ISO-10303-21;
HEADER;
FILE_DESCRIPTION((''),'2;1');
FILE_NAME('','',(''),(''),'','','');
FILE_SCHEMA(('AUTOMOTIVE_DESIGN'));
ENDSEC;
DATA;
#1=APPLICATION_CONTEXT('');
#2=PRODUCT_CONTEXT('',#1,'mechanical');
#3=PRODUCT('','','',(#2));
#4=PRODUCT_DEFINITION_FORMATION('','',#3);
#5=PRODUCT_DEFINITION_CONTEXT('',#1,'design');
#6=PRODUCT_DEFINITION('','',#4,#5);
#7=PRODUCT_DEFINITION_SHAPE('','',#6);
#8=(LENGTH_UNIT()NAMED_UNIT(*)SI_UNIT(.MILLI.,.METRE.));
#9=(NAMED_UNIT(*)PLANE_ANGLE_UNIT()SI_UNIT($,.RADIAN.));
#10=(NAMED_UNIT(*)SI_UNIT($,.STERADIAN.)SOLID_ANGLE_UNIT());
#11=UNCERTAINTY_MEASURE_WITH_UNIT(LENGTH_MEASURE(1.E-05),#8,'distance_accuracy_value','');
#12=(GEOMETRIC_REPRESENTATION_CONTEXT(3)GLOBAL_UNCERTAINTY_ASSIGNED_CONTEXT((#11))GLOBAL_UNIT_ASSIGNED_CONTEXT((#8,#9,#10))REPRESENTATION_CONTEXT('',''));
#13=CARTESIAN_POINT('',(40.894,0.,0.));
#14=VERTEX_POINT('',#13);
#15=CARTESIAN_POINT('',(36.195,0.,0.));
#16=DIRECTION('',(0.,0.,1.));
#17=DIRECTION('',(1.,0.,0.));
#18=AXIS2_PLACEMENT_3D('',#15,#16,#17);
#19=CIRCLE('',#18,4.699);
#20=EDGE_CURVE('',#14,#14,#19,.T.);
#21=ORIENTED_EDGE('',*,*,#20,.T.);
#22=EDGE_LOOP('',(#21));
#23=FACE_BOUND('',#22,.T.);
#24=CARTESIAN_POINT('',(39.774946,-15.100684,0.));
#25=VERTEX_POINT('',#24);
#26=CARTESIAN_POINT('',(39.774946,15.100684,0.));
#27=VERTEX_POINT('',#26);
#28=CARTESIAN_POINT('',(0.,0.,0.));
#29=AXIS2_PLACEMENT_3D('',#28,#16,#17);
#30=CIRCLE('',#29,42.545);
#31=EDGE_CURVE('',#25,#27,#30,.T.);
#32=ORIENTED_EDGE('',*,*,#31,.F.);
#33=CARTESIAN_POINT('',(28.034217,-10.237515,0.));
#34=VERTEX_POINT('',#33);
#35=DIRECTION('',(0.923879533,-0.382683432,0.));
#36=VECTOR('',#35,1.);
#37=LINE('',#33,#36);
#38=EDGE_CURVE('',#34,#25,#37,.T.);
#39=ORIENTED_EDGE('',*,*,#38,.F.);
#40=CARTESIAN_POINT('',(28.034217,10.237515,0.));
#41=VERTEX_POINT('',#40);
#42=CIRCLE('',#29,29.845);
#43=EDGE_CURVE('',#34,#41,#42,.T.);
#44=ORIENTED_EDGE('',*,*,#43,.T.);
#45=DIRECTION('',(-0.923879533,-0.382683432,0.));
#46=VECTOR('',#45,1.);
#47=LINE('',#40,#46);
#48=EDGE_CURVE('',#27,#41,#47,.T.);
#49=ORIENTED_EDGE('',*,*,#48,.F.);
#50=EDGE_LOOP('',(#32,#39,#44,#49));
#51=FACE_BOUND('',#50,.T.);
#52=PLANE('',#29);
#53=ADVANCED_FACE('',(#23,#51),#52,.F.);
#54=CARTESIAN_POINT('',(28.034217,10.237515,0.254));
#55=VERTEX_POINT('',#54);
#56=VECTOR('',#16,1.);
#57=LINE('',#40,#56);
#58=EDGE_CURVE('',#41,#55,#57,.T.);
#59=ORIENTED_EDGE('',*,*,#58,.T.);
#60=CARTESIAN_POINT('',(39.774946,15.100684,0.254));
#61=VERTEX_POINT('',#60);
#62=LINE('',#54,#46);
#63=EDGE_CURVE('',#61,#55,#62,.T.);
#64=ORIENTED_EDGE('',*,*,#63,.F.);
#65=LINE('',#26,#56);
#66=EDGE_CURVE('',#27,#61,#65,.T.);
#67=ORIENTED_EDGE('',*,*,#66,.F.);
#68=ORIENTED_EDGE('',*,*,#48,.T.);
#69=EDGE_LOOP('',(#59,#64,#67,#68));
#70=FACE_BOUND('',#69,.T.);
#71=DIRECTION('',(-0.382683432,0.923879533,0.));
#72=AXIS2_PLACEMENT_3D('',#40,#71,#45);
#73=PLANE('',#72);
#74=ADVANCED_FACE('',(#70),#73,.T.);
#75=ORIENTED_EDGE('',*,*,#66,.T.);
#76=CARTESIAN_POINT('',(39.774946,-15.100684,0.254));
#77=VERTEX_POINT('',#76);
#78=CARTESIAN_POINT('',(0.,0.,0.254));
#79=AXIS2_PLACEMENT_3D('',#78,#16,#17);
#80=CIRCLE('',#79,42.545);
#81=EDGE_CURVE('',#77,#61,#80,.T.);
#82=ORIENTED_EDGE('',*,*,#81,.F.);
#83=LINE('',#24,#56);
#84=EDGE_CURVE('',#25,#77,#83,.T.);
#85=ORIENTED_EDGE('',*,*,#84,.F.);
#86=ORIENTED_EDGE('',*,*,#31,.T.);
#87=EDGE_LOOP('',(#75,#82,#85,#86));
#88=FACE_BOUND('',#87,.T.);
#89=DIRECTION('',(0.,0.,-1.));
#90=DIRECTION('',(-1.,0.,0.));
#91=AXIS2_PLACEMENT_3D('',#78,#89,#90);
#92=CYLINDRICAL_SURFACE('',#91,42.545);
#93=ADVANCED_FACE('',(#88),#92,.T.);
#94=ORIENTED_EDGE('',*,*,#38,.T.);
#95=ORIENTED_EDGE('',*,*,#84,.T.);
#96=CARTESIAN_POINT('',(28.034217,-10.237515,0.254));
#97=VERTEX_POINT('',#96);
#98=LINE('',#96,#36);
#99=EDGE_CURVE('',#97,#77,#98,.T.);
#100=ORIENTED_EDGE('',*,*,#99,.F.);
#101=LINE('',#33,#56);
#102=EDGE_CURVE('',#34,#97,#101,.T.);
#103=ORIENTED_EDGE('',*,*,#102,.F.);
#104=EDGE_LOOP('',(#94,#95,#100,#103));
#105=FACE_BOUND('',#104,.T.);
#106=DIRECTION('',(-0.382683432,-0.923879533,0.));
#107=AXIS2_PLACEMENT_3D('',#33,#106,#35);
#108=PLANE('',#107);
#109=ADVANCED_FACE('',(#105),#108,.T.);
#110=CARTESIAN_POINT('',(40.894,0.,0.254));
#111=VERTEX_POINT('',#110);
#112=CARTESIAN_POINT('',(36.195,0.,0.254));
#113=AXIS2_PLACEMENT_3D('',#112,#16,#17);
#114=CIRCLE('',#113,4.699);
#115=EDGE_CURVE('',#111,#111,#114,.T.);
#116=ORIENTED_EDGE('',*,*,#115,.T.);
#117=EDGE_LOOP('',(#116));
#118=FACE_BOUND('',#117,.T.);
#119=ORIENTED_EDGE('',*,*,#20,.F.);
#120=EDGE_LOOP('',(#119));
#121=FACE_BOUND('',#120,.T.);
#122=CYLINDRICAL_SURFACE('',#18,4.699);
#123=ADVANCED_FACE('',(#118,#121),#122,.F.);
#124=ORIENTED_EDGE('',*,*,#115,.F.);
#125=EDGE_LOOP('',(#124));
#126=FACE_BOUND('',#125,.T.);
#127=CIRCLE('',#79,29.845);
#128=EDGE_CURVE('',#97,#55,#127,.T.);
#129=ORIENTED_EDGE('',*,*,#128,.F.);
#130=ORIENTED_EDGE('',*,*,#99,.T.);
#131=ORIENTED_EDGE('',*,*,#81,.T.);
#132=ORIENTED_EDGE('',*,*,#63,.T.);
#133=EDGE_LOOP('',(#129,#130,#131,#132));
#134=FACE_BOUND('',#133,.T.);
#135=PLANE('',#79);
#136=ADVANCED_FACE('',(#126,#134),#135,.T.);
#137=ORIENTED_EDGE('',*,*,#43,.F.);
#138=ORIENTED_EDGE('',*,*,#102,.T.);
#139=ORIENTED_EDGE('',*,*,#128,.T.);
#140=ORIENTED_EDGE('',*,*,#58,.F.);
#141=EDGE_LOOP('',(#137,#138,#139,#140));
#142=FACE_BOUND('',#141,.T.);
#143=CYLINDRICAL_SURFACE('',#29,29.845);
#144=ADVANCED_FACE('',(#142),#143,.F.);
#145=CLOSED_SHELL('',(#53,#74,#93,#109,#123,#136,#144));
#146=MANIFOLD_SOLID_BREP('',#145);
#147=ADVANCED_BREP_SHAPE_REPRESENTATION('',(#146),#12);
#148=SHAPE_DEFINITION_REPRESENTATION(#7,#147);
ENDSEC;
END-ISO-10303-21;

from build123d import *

# Parameters (mm, degrees)
SKETCH4_R           = 42.545
BOSS_EXTRUDE2_DEPTH = 0.254
SKETCH5_R           = 29.845
CUT_EXTRUDE5_DEPTH  = 1.254
SKETCH6_R           = 4.699
CUT_EXTRUDE6_DEPTH  = 1.254
SKETCH8_OUTSIDE_W   = 111.158
SKETCH8_OUTSIDE_H   = 111.158
CUT_EXTRUDE11_DEPTH = 1.254


with BuildPart() as part:
    # Sketch4 → Boss-Extrude2 (new body)
    with BuildSketch(Plane.XY):
        Circle(SKETCH4_R)
    extrude(amount=BOSS_EXTRUDE2_DEPTH)

    # Sketch5 → Cut-Extrude5 (cut, through all)
    with BuildSketch(Plane.XY.offset(0.254)):
        Circle(SKETCH5_R)
    extrude(amount=-CUT_EXTRUDE5_DEPTH, mode=Mode.SUBTRACT)

    # Sketch6 → Cut-Extrude6 (cut, through all)
    with BuildSketch(Plane.XY.offset(0.254)):
        with Locations((36.195, 0)):
            Circle(SKETCH6_R)
    extrude(amount=-CUT_EXTRUDE6_DEPTH, mode=Mode.SUBTRACT)

    # Sketch8 outside → Cut-Extrude11 (cut, through all)
    with BuildSketch(Plane.XY.offset(0.254)):
        Rectangle(SKETCH8_OUTSIDE_W, SKETCH8_OUTSIDE_H)
        with BuildLine():
            Line((28.034216891, -10.237514752), (39.774946424, -15.100684157))
            ThreePointArc((39.774946424, -15.100684157), (42.545, 0), (39.774946424, 15.100684157))
            Line((39.774946424, 15.100684157), (28.034216891, 10.237514752))
            ThreePointArc((28.034216891, 10.237514752), (29.845, 0), (28.034216891, -10.237514752))
        make_face(mode=Mode.SUBTRACT)
    extrude(amount=-CUT_EXTRUDE11_DEPTH, mode=Mode.SUBTRACT)


solid = part.part
